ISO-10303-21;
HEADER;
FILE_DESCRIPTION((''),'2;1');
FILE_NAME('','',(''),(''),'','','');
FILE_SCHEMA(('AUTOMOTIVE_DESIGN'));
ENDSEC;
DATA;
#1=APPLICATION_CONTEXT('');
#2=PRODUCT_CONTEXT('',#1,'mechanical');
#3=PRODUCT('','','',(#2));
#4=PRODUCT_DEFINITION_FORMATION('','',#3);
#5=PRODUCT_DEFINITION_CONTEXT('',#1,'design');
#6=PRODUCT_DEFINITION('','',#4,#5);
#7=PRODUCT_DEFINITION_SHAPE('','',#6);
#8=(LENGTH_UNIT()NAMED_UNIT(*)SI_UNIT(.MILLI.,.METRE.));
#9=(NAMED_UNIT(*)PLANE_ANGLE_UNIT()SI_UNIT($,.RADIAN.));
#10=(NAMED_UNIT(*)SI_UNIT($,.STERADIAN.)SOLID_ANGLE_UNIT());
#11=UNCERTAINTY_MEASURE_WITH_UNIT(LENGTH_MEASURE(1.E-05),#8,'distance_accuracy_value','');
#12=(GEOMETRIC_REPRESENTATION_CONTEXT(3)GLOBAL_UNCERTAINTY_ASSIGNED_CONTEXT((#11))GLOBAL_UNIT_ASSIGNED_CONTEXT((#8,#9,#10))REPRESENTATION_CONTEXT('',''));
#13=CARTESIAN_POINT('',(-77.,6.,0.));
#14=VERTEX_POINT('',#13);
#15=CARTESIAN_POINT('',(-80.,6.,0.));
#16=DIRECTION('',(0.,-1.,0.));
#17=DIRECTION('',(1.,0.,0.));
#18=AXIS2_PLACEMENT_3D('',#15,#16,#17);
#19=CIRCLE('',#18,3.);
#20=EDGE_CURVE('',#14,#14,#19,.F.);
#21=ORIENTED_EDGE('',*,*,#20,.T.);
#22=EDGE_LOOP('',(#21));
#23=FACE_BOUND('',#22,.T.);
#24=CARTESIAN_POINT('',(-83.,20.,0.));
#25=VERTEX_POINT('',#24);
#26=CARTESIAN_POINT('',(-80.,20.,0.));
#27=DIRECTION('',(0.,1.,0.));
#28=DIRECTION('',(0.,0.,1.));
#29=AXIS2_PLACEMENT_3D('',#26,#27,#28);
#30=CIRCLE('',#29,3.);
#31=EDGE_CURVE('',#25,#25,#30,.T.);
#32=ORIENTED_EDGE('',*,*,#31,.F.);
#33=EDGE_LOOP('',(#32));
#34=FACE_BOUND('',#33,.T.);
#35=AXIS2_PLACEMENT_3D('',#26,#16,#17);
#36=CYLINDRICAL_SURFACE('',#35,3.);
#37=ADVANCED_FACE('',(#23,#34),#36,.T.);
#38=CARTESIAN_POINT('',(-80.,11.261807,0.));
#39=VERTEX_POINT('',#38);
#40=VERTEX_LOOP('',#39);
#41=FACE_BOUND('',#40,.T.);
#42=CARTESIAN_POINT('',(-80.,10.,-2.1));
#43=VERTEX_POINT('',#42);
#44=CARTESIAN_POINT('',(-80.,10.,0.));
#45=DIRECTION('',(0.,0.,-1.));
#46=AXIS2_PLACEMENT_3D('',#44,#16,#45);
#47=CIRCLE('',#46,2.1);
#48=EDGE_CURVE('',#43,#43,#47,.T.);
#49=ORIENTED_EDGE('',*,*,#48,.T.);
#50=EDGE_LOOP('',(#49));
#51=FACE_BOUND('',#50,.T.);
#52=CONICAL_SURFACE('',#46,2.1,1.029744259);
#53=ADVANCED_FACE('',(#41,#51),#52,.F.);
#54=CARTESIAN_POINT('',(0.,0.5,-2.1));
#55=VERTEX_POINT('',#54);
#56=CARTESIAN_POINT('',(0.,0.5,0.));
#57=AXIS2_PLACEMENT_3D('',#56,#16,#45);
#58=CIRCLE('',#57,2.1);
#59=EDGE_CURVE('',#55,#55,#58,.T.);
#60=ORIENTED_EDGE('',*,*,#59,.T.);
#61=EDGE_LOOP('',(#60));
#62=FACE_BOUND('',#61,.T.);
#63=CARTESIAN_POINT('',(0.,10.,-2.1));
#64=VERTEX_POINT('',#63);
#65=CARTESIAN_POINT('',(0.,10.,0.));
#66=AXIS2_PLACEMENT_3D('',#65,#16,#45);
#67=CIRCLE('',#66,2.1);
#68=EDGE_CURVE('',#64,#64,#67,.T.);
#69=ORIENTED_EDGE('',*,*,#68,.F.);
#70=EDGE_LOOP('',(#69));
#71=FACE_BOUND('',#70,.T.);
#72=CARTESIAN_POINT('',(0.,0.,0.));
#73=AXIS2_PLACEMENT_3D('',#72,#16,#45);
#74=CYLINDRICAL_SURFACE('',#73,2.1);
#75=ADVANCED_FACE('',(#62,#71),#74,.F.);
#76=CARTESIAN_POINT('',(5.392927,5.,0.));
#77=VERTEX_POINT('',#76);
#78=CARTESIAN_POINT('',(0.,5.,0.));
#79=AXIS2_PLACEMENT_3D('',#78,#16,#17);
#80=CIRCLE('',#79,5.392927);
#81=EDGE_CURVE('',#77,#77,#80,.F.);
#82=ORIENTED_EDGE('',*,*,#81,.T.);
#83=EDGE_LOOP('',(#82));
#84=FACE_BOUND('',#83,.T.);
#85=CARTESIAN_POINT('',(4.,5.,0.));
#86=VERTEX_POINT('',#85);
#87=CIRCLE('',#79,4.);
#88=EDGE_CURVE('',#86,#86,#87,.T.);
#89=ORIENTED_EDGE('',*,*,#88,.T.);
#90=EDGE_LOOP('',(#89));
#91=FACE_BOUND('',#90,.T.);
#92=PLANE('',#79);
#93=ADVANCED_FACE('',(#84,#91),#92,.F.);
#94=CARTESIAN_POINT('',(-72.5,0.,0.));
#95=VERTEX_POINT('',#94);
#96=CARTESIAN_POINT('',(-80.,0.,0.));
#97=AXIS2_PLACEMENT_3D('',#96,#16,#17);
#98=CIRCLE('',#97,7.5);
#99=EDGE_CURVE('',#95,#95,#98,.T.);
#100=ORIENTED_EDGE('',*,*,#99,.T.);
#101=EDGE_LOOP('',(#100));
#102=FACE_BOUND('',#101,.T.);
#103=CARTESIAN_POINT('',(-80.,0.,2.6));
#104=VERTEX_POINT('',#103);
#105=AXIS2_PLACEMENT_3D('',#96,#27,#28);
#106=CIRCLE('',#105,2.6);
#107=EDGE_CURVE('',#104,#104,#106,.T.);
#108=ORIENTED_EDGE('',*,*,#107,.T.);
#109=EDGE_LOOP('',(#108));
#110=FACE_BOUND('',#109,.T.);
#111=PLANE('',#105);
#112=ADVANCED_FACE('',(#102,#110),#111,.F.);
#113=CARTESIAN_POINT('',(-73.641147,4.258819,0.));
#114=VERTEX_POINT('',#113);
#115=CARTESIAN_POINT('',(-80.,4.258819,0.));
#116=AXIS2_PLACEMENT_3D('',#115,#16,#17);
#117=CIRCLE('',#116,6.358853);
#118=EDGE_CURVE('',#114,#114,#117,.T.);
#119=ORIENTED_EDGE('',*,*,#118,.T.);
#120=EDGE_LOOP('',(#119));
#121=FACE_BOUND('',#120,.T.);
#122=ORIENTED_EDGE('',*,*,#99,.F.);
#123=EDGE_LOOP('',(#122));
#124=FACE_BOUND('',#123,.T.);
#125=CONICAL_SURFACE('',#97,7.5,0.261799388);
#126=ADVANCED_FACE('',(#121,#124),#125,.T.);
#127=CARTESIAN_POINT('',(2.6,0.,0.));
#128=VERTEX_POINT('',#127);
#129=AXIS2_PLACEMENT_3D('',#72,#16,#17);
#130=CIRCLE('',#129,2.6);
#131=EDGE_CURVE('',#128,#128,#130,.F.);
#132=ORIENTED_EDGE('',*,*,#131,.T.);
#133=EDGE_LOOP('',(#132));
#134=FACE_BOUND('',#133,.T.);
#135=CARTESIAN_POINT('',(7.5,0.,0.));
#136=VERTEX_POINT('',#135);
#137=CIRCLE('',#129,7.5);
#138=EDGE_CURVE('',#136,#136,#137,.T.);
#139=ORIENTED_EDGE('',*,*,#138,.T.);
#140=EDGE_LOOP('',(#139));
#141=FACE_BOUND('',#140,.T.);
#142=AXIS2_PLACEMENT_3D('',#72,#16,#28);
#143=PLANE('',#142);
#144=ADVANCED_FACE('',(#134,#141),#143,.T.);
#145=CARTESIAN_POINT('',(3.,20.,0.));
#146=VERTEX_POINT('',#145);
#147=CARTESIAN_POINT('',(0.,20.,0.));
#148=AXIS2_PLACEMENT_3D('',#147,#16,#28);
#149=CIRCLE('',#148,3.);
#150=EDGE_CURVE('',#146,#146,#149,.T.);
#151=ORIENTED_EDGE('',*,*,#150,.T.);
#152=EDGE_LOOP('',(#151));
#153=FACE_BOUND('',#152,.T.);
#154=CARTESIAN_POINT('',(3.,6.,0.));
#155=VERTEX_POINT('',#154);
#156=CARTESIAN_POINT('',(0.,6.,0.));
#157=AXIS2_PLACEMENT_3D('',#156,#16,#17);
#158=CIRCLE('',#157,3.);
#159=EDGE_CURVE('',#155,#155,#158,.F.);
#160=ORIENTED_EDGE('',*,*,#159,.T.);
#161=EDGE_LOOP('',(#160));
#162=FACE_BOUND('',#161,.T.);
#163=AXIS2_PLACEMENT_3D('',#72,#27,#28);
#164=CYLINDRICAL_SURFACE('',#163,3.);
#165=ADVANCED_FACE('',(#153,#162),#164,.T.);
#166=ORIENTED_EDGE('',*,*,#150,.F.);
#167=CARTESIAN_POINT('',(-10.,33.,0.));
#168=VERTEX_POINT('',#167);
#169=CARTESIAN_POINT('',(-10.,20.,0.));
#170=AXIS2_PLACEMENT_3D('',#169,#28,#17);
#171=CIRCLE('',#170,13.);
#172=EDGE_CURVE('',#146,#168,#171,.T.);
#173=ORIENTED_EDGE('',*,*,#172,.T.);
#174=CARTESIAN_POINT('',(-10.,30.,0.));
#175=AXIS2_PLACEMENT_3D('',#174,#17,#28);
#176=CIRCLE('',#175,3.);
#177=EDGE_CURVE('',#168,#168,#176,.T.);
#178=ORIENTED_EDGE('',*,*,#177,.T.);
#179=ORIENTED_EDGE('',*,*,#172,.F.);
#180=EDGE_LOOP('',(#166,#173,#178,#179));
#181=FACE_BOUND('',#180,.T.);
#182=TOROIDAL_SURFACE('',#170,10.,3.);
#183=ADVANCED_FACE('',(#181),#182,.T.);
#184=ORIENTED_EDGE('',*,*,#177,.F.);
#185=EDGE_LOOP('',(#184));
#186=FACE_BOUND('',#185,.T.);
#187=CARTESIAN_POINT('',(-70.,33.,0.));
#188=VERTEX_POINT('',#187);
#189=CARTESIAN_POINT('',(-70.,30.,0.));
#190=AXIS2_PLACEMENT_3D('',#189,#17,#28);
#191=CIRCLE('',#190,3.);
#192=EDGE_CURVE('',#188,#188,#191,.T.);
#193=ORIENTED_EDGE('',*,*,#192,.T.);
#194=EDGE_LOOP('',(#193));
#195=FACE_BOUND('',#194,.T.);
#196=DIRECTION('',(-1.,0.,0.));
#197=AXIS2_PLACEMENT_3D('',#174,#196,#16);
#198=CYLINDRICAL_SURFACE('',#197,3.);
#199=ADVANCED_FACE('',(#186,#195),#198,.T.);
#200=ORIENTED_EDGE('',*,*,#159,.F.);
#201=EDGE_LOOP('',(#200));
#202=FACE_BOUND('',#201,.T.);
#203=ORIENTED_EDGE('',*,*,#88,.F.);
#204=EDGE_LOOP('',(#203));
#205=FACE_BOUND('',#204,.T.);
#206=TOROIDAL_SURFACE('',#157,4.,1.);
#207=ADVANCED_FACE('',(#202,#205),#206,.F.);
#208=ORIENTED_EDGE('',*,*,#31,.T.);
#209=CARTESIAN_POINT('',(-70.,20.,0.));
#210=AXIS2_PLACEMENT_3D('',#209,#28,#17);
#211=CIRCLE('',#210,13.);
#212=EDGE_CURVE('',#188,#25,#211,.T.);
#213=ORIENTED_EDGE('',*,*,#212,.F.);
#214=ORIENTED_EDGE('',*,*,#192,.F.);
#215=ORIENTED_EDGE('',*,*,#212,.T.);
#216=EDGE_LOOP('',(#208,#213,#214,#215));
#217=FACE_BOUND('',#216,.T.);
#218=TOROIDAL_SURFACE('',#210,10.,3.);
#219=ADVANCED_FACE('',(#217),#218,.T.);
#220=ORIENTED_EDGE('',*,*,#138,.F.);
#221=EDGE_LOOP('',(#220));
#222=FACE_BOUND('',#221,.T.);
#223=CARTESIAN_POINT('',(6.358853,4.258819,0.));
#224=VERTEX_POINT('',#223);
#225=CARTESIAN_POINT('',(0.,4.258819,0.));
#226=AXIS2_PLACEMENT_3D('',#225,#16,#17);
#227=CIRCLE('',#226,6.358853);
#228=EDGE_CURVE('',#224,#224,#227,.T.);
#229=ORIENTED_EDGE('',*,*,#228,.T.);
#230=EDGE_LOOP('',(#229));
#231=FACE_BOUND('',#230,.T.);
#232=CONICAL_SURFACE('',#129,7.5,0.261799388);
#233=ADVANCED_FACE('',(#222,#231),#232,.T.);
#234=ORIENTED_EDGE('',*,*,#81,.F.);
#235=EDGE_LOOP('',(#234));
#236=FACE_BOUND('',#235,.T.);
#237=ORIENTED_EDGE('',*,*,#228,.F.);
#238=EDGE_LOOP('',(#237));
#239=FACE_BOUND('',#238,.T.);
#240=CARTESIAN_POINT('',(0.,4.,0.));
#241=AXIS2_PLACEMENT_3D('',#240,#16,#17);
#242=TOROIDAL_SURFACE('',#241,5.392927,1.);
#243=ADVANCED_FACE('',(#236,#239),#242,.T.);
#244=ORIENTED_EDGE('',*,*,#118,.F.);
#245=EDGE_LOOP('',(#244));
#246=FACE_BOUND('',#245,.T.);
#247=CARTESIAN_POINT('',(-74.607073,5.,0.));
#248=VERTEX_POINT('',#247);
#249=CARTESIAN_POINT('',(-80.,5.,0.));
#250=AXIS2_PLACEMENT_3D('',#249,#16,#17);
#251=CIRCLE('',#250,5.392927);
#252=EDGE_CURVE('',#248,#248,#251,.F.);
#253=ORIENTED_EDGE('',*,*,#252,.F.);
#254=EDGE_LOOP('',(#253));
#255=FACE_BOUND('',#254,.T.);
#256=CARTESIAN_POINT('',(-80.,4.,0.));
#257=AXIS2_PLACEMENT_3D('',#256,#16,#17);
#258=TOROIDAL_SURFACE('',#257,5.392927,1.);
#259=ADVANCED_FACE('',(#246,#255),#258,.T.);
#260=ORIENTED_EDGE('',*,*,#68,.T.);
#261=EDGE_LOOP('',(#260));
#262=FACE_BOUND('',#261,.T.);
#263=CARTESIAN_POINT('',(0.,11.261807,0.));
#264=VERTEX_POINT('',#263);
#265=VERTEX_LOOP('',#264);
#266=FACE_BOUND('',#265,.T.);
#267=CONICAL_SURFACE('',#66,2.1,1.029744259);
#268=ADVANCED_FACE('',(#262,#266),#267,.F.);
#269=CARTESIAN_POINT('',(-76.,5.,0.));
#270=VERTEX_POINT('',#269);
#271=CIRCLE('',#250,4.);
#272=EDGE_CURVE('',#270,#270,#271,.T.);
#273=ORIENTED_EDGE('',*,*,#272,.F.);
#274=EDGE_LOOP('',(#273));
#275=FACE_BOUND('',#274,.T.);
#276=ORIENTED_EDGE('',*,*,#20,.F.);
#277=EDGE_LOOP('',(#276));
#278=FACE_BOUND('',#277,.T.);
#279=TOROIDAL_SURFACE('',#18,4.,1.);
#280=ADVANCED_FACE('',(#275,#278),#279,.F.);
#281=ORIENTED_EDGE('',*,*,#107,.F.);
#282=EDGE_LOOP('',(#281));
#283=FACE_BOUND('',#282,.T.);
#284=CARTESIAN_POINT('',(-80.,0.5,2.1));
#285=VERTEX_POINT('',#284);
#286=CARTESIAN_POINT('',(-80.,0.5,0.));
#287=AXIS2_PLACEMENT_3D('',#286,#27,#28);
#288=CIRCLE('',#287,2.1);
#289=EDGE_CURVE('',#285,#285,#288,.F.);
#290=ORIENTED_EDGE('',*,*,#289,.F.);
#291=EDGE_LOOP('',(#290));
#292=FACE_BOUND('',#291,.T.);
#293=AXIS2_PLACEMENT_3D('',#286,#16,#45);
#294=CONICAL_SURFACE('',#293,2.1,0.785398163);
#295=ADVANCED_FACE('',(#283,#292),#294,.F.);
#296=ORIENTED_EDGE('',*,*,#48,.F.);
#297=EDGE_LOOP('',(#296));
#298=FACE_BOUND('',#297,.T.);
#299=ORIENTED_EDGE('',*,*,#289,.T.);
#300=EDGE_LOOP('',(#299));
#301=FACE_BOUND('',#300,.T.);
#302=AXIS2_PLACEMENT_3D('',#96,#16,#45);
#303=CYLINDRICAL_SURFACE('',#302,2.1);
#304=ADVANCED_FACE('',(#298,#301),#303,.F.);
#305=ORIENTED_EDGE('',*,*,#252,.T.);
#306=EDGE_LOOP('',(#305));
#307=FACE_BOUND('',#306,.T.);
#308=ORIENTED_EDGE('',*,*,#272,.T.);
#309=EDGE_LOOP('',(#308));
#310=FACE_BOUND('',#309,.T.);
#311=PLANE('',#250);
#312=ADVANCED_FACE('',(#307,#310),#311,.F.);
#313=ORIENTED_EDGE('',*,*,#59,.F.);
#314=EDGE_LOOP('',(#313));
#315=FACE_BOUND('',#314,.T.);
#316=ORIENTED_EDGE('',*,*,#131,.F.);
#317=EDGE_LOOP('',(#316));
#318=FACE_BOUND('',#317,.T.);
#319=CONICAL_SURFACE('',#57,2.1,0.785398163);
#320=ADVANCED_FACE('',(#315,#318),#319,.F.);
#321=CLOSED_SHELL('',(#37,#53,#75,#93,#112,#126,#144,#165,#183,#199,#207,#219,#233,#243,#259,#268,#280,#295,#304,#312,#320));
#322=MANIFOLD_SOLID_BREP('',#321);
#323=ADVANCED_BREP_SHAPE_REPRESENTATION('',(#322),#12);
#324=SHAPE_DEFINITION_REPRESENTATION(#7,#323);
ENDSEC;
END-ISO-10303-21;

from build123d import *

# Parameters (mm, degrees)
SWEEP1_PROFILE_R              = 3
SKETCH10_R                    = 7.5
BOSS_EXTRUDE1_DEPTH           = 5
BOSS_EXTRUDE1_DRAFT           = -15
BOSS_EXTRUDE1_PROFILE_2_DEPTH = 5
BOSS_EXTRUDE1_PROFILE_2_DRAFT = -15
FILLET2_R                     = 1
M5X0_8_TAPPED_HOLE1_D         = 4.2
M5X0_8_TAPPED_HOLE1_DEPTH     = 10
M5X0_8_TAPPED_HOLE1_TIP       = 1.2618073
CHAMFER1_SIZE                 = 0.5


with BuildPart() as part:
    # Sweep1: sweep along a path in Sketch1
    with BuildLine(Plane.XY) as sweep1_path:
        Line((0, 0), (0, 20))
        ThreePointArc((0, 20), (-2.928932188, 27.071067812), (-10, 30))
        Line((-10, 30), (-70, 30))
        ThreePointArc((-70, 30), (-77.071067812, 27.071067812), (-80, 20))
        Line((-80, 20), (-80, 0))
    # Sweep1 profile (on start of the path) → Sweep1 (sweep)
    with BuildSketch(Plane.ZX):
        Circle(SWEEP1_PROFILE_R)
    sweep(path=sweep1_path.line)


with BuildPart() as boss_extrude1_tool:
    # Sketch10 → Boss-Extrude1 (with draft: the straight prism first)
    with BuildSketch(Plane.XZ):
        with Locations((-80, 0)):
            Circle(SKETCH10_R)
    extrude(amount=-BOSS_EXTRUDE1_DEPTH)
    # Boss-Extrude1: the draft: its side faces are tilted about the plane it starts from
    boss_extrude1_sides = [boss_extrude1_tool.faces().sort_by_distance(p)[0] for p in [
        (-87.5, 2.5, 0),
    ]]
    draft(boss_extrude1_sides, Plane.XZ, BOSS_EXTRUDE1_DRAFT)


with BuildPart() as part_1:
    add(part.part)

    # Boss-Extrude1: add boss_extrude1_tool
    add(boss_extrude1_tool.part)


with BuildPart() as boss_extrude1_profile_2_tool:
    # Sketch10 → Boss-Extrude1 profile 2 (with draft: the straight prism first)
    with BuildSketch(Plane.XZ):
        Circle(SKETCH10_R)
    extrude(amount=-BOSS_EXTRUDE1_PROFILE_2_DEPTH)
    # Boss-Extrude1 profile 2: the draft: its side faces are tilted about the plane it starts from
    boss_extrude1_profile_2_sides = [boss_extrude1_profile_2_tool.faces().sort_by_distance(p)[0] for p in [
        (-7.5, 2.5, 0),
    ]]
    draft(boss_extrude1_profile_2_sides, Plane.XZ, BOSS_EXTRUDE1_PROFILE_2_DRAFT)


with BuildPart() as part_2:
    add(part_1.part)

    # Boss-Extrude1 profile 2: add boss_extrude1_profile_2_tool
    add(boss_extrude1_profile_2_tool.part)

    # Fillet2
    fillet2_edges = [part_2.edges().sort_by_distance(p)[0] for p in [
        (-80, 5, -3),
        (-86.160254038, 5, 0),
        (0, 5, -3),
        (-6.160254038, 5, 0),
    ]]
    fillet(fillet2_edges, radius=FILLET2_R)

    # M5x0.8 Tapped Hole1
    with Locations(Plane(origin=(0, 0, 0), x_dir=(-1, 0, 0), z_dir=(0, -1, 0))):
        with Locations((80, 0), (0, 0)):
            Hole(M5X0_8_TAPPED_HOLE1_D / 2, depth=M5X0_8_TAPPED_HOLE1_DEPTH)
            with Locations((0, 0, -(M5X0_8_TAPPED_HOLE1_DEPTH + M5X0_8_TAPPED_HOLE1_TIP / 2))):  # 118° drill point
                Cone(0, M5X0_8_TAPPED_HOLE1_D / 2, M5X0_8_TAPPED_HOLE1_TIP, mode=Mode.SUBTRACT)

    # Chamfer1
    chamfer1_edges = [part_2.edges().sort_by_distance(p)[0] for p in [
        (-2.1, 0, 0),
        (-82.1, 0, 0),
    ]]
    chamfer(chamfer1_edges, length=CHAMFER1_SIZE)


solid = part_2.part
